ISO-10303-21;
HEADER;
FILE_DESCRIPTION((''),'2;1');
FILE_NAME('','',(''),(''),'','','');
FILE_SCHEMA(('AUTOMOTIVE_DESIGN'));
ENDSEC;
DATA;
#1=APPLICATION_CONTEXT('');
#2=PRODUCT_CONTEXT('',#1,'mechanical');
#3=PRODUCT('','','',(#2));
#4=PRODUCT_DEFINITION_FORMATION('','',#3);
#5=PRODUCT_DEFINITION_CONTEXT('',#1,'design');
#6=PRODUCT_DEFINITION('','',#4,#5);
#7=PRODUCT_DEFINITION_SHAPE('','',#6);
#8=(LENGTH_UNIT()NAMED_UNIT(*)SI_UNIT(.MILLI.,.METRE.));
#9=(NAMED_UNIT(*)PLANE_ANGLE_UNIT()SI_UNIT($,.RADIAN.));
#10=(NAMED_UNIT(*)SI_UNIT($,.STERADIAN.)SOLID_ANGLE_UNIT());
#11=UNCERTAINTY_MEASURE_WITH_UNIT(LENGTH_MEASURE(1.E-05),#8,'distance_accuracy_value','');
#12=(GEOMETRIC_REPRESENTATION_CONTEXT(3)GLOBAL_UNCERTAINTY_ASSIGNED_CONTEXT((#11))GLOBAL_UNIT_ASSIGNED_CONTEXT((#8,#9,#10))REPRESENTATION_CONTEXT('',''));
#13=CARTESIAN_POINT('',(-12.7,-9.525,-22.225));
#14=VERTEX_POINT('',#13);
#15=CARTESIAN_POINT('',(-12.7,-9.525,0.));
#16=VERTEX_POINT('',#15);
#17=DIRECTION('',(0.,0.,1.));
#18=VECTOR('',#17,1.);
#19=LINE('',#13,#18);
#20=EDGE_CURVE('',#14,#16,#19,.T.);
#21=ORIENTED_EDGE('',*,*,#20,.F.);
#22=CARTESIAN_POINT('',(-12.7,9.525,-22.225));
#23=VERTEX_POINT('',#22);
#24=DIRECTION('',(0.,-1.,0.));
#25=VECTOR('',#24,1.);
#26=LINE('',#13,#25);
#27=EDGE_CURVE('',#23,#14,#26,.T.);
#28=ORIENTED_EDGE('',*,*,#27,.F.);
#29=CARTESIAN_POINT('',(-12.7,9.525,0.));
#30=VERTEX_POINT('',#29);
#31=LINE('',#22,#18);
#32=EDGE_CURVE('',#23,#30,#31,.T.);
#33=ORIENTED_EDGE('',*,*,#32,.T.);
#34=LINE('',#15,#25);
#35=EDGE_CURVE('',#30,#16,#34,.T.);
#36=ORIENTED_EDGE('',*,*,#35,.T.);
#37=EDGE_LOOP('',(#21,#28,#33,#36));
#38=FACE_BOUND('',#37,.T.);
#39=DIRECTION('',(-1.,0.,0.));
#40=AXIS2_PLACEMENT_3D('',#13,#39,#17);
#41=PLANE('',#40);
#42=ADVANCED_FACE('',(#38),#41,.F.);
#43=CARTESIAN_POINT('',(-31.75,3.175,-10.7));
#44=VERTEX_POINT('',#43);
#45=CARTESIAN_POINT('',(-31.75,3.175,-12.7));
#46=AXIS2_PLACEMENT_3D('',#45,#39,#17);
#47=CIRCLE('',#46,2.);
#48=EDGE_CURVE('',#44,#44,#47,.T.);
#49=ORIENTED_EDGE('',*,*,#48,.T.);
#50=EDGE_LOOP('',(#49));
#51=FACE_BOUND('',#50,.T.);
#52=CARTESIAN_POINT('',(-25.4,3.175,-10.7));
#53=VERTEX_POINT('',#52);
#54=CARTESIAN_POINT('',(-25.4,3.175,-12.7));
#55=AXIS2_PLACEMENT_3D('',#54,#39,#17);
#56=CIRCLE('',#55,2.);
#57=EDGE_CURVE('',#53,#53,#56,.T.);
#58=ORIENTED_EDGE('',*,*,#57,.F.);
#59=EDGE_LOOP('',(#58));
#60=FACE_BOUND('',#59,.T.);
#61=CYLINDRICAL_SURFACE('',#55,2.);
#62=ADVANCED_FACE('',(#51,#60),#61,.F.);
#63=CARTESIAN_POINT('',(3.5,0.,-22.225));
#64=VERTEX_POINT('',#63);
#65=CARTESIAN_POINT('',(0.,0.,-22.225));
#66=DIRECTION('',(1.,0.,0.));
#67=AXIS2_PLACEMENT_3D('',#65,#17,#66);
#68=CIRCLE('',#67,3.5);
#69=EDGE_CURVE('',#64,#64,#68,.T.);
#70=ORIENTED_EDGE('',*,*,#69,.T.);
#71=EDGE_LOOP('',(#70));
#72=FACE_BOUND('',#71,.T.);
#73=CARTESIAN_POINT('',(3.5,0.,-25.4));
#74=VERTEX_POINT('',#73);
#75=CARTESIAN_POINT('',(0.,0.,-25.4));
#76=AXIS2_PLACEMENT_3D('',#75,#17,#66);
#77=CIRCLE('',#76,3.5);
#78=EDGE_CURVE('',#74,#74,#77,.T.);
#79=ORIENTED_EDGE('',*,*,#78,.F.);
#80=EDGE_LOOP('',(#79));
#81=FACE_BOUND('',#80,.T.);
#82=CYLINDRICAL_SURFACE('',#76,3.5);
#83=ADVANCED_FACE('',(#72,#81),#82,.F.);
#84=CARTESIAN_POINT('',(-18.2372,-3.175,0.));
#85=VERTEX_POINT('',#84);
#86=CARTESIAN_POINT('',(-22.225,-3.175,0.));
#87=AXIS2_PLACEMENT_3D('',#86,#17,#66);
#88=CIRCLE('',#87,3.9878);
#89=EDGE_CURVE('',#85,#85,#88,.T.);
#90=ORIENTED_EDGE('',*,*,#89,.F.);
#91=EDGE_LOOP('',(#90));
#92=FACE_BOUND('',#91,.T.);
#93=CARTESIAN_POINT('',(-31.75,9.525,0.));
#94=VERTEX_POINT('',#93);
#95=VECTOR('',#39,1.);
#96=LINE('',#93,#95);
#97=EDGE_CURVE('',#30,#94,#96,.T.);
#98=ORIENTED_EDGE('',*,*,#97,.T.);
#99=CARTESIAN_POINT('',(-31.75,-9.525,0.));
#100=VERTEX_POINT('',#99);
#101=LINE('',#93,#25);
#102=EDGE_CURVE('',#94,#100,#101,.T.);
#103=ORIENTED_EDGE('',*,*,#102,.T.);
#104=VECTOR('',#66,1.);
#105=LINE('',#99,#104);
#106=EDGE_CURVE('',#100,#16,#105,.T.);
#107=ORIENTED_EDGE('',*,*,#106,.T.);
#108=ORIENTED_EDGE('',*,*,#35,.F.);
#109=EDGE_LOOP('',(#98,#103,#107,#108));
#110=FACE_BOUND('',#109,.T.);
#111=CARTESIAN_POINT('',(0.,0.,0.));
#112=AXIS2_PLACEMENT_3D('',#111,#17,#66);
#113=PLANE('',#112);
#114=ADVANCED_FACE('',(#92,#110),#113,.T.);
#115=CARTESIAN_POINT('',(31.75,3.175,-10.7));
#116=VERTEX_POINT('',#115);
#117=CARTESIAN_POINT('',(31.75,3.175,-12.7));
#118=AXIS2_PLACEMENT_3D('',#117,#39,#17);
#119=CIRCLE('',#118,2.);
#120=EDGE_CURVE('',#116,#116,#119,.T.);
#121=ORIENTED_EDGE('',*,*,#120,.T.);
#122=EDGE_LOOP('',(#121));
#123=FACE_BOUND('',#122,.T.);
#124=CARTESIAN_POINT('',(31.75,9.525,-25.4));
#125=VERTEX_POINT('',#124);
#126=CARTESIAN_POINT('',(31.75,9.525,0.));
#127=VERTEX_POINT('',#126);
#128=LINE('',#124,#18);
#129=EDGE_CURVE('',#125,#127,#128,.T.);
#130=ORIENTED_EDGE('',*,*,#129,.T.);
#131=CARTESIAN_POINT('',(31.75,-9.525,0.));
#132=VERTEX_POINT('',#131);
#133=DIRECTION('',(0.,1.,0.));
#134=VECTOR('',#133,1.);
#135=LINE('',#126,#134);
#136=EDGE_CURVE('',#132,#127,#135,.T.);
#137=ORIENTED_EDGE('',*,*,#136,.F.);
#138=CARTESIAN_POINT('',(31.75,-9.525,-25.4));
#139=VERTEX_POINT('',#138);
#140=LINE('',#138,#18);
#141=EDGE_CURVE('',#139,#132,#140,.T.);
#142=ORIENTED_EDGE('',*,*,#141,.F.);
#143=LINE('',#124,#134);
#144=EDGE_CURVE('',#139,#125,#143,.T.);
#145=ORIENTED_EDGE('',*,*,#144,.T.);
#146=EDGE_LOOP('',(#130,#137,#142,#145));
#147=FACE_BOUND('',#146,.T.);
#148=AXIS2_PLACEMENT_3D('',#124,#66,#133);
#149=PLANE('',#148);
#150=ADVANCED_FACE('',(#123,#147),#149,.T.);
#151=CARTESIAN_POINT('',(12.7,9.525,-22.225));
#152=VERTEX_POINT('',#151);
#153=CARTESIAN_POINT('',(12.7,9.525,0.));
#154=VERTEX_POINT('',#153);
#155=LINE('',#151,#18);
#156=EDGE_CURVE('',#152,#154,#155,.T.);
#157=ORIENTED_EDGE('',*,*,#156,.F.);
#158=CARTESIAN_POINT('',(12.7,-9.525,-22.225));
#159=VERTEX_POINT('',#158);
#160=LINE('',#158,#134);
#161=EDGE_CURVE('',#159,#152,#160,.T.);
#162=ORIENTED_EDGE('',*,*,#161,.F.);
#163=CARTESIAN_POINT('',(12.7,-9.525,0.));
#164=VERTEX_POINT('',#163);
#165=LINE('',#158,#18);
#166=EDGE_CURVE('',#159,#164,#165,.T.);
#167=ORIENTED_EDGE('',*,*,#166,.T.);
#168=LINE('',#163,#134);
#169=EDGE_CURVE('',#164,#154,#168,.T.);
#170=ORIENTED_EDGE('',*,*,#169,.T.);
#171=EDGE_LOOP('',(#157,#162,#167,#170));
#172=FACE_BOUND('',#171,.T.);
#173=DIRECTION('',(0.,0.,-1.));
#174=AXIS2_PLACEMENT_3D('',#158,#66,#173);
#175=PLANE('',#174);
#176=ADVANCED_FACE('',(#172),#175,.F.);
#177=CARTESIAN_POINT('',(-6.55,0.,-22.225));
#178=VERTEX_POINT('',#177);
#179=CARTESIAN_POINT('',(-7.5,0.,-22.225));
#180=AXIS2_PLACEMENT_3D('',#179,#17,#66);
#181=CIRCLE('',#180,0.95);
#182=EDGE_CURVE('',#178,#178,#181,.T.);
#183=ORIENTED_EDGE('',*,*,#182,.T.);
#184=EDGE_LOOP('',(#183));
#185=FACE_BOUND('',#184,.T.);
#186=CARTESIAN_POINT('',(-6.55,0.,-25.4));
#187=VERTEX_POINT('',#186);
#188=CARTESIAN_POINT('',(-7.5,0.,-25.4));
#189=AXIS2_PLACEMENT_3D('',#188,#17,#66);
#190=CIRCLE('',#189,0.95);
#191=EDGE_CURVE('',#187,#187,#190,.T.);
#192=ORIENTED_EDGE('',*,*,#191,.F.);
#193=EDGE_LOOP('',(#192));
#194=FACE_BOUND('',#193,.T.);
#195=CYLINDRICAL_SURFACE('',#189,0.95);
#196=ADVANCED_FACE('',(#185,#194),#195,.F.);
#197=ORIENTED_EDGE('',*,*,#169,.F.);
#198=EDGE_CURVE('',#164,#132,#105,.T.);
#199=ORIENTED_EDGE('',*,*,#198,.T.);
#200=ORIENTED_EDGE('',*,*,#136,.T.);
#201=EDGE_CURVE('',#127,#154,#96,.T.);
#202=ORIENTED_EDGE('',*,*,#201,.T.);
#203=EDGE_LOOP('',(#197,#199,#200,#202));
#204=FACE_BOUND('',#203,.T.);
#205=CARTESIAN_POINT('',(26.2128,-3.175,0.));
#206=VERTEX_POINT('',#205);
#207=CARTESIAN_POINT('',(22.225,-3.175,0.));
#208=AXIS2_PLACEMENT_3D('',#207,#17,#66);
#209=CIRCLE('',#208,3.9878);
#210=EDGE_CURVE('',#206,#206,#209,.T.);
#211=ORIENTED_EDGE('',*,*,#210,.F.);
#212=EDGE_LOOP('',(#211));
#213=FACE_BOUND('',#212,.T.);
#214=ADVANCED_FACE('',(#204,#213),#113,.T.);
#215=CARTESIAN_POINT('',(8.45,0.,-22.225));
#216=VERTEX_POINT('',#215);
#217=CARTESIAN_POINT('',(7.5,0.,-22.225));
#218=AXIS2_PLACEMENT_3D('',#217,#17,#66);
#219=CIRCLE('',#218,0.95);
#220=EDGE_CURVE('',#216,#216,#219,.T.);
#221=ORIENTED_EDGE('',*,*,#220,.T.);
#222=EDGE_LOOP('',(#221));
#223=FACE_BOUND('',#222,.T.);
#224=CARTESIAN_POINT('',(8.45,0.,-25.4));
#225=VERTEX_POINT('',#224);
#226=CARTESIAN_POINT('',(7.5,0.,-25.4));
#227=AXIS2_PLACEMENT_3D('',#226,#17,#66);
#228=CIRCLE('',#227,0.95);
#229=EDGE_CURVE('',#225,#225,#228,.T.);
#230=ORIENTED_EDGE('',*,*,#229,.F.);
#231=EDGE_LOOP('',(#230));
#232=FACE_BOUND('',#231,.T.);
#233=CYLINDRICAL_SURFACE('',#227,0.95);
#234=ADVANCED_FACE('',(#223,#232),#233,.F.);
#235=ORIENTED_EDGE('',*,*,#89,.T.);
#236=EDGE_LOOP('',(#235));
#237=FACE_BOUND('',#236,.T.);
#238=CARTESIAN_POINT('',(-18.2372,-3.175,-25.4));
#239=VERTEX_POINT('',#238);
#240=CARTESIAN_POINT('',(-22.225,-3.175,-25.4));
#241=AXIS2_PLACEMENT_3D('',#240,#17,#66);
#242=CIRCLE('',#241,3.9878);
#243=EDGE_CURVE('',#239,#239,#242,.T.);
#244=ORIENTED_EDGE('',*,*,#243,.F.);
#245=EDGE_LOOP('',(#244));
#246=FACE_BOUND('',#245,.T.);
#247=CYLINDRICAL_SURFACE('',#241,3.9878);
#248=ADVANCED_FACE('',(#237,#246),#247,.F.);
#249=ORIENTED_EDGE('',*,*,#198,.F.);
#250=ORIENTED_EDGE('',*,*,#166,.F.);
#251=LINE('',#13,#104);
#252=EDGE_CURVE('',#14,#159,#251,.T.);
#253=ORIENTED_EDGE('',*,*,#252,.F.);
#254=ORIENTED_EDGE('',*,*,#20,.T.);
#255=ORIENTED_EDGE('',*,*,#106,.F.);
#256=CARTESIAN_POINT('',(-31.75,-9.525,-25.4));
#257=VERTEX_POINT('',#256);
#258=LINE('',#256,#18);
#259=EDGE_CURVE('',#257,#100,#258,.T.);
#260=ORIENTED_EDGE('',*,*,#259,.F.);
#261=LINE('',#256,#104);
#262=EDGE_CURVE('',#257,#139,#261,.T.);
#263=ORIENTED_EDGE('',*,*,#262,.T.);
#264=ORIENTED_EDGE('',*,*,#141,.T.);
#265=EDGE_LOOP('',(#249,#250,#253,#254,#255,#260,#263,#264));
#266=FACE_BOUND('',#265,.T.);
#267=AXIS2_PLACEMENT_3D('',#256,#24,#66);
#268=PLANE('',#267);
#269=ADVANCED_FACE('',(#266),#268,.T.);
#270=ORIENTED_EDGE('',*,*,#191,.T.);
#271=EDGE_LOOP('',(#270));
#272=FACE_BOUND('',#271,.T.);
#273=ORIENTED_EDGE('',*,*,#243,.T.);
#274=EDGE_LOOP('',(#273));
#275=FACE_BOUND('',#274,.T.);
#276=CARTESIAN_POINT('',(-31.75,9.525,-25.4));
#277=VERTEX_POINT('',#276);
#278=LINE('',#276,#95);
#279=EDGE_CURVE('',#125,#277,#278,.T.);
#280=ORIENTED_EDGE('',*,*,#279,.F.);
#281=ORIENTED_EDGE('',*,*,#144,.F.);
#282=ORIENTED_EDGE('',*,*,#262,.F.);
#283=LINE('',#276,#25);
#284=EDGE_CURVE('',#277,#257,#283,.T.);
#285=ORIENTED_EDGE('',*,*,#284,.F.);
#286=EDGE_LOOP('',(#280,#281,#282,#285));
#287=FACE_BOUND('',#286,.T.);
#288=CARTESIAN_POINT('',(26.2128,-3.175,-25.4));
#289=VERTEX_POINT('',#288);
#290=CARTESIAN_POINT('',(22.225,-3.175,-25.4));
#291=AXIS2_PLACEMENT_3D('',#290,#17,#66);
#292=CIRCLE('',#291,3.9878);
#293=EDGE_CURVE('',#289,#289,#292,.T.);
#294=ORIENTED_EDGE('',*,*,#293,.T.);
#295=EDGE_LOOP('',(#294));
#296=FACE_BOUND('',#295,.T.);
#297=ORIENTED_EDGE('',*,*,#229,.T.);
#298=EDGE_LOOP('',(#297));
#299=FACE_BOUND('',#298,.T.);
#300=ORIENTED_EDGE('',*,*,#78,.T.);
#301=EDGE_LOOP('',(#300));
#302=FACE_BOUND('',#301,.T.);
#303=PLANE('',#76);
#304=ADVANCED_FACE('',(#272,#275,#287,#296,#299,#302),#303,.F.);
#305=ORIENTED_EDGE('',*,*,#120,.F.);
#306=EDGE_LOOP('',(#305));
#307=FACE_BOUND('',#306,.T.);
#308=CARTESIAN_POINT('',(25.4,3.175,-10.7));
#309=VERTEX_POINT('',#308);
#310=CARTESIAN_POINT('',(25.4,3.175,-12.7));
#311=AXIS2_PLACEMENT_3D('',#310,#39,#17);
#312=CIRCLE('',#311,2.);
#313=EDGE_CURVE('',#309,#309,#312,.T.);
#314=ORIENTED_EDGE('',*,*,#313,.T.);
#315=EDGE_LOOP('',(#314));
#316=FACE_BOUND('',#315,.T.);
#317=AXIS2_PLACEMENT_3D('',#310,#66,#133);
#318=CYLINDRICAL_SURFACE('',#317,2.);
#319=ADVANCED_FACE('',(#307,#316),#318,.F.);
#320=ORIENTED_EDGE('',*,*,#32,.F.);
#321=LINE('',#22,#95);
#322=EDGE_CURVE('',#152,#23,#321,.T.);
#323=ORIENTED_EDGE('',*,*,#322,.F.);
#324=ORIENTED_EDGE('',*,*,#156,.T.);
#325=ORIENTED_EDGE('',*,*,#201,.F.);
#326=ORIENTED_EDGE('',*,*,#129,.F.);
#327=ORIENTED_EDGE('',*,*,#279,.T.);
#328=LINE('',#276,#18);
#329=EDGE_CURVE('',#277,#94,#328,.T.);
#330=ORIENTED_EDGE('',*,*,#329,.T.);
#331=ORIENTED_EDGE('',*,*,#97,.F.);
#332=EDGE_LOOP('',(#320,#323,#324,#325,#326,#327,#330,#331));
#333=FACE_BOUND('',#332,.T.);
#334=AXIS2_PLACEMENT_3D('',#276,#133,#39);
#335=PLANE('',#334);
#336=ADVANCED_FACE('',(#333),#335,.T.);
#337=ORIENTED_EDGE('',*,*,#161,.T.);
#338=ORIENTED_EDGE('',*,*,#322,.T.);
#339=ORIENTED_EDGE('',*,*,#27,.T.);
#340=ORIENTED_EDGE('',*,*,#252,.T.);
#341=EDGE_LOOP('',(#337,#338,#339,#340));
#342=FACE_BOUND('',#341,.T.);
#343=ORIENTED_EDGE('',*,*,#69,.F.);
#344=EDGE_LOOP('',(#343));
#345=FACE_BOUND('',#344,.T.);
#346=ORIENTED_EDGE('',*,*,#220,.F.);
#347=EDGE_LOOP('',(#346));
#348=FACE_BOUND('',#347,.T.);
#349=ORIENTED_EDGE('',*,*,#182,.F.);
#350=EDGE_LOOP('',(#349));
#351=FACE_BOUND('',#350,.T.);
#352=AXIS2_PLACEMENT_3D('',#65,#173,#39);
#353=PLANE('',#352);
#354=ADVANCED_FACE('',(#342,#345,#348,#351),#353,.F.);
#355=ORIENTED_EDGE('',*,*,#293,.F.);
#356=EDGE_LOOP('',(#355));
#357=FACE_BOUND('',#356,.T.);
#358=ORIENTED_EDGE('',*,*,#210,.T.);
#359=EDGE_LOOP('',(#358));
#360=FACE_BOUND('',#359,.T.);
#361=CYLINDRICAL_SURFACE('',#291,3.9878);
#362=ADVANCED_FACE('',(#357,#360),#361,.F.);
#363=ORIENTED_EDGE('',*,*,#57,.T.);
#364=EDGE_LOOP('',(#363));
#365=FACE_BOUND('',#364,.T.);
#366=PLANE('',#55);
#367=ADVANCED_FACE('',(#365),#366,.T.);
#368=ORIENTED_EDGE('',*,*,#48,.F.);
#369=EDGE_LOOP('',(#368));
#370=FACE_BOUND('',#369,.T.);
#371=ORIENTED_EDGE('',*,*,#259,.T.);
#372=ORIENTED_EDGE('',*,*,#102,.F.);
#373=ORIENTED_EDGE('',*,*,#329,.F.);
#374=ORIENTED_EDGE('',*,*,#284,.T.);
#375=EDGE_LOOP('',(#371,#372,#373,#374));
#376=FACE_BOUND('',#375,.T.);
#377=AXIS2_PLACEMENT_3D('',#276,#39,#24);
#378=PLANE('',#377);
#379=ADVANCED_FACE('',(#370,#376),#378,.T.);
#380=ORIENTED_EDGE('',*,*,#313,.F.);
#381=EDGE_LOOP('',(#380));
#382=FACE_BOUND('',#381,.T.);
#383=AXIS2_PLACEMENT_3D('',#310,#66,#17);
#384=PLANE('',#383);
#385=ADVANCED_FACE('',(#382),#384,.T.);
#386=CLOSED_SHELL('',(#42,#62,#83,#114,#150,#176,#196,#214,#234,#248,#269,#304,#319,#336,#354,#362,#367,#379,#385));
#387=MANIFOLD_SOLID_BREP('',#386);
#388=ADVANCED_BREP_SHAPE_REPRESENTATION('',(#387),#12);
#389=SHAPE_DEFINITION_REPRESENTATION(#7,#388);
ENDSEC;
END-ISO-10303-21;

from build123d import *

# Parameters (mm, degrees)
SKETCH1_W           = 63.5
SKETCH1_H           = 19.05
SKETCH1_R           = 3.9878
BOSS_EXTRUDE1_DEPTH = 25.4
SKETCH2_R           = 2
CUT_EXTRUDE1_DEPTH  = 6.35
SKETCH3_W           = 25.4
SKETCH3_H           = 19.05
CUT_EXTRUDE2_DEPTH  = 22.225
SKETCH6_R           = 0.95
SKETCH6_R_2         = 3.5
CUT_EXTRUDE3_DEPTH  = 4.175


with BuildPart() as part:
    # Sketch1 → Boss-Extrude1 (new body)
    with BuildSketch(Plane.XY):
        Rectangle(SKETCH1_W, SKETCH1_H)
        with Locations((-22.225, -3.175)):
            Circle(SKETCH1_R, mode=Mode.SUBTRACT)
        with Locations((22.225, -3.175)):
            Circle(SKETCH1_R, mode=Mode.SUBTRACT)
    extrude(amount=-BOSS_EXTRUDE1_DEPTH)

    # Sketch2 → Cut-Extrude1 (cut)
    with BuildSketch(Plane.ZY.offset(31.75)):
        with Locations((-12.7, 3.175)):
            Circle(SKETCH2_R)
    cut_extrude1 = extrude(amount=-CUT_EXTRUDE1_DEPTH, mode=Mode.SUBTRACT)

    # Mirror1: Cut-Extrude1 across plane
    add(cut_extrude1.mirror(Plane.ZY), mode=Mode.SUBTRACT)

    # Sketch3 → Cut-Extrude2 (cut)
    with BuildSketch(Plane.XY):
        Rectangle(SKETCH3_W, SKETCH3_H)
    extrude(amount=-CUT_EXTRUDE2_DEPTH, mode=Mode.SUBTRACT)

    # Sketch6 → Cut-Extrude3 (cut, through all)
    with BuildSketch(Plane.XY.offset(-22.225)):
        with Locations((-7.5, 0)):
            Circle(SKETCH6_R)
        with Locations((7.5, 0)):
            Circle(SKETCH6_R)
        Circle(SKETCH6_R_2)
    extrude(amount=-CUT_EXTRUDE3_DEPTH, mode=Mode.SUBTRACT)


solid = part.part
